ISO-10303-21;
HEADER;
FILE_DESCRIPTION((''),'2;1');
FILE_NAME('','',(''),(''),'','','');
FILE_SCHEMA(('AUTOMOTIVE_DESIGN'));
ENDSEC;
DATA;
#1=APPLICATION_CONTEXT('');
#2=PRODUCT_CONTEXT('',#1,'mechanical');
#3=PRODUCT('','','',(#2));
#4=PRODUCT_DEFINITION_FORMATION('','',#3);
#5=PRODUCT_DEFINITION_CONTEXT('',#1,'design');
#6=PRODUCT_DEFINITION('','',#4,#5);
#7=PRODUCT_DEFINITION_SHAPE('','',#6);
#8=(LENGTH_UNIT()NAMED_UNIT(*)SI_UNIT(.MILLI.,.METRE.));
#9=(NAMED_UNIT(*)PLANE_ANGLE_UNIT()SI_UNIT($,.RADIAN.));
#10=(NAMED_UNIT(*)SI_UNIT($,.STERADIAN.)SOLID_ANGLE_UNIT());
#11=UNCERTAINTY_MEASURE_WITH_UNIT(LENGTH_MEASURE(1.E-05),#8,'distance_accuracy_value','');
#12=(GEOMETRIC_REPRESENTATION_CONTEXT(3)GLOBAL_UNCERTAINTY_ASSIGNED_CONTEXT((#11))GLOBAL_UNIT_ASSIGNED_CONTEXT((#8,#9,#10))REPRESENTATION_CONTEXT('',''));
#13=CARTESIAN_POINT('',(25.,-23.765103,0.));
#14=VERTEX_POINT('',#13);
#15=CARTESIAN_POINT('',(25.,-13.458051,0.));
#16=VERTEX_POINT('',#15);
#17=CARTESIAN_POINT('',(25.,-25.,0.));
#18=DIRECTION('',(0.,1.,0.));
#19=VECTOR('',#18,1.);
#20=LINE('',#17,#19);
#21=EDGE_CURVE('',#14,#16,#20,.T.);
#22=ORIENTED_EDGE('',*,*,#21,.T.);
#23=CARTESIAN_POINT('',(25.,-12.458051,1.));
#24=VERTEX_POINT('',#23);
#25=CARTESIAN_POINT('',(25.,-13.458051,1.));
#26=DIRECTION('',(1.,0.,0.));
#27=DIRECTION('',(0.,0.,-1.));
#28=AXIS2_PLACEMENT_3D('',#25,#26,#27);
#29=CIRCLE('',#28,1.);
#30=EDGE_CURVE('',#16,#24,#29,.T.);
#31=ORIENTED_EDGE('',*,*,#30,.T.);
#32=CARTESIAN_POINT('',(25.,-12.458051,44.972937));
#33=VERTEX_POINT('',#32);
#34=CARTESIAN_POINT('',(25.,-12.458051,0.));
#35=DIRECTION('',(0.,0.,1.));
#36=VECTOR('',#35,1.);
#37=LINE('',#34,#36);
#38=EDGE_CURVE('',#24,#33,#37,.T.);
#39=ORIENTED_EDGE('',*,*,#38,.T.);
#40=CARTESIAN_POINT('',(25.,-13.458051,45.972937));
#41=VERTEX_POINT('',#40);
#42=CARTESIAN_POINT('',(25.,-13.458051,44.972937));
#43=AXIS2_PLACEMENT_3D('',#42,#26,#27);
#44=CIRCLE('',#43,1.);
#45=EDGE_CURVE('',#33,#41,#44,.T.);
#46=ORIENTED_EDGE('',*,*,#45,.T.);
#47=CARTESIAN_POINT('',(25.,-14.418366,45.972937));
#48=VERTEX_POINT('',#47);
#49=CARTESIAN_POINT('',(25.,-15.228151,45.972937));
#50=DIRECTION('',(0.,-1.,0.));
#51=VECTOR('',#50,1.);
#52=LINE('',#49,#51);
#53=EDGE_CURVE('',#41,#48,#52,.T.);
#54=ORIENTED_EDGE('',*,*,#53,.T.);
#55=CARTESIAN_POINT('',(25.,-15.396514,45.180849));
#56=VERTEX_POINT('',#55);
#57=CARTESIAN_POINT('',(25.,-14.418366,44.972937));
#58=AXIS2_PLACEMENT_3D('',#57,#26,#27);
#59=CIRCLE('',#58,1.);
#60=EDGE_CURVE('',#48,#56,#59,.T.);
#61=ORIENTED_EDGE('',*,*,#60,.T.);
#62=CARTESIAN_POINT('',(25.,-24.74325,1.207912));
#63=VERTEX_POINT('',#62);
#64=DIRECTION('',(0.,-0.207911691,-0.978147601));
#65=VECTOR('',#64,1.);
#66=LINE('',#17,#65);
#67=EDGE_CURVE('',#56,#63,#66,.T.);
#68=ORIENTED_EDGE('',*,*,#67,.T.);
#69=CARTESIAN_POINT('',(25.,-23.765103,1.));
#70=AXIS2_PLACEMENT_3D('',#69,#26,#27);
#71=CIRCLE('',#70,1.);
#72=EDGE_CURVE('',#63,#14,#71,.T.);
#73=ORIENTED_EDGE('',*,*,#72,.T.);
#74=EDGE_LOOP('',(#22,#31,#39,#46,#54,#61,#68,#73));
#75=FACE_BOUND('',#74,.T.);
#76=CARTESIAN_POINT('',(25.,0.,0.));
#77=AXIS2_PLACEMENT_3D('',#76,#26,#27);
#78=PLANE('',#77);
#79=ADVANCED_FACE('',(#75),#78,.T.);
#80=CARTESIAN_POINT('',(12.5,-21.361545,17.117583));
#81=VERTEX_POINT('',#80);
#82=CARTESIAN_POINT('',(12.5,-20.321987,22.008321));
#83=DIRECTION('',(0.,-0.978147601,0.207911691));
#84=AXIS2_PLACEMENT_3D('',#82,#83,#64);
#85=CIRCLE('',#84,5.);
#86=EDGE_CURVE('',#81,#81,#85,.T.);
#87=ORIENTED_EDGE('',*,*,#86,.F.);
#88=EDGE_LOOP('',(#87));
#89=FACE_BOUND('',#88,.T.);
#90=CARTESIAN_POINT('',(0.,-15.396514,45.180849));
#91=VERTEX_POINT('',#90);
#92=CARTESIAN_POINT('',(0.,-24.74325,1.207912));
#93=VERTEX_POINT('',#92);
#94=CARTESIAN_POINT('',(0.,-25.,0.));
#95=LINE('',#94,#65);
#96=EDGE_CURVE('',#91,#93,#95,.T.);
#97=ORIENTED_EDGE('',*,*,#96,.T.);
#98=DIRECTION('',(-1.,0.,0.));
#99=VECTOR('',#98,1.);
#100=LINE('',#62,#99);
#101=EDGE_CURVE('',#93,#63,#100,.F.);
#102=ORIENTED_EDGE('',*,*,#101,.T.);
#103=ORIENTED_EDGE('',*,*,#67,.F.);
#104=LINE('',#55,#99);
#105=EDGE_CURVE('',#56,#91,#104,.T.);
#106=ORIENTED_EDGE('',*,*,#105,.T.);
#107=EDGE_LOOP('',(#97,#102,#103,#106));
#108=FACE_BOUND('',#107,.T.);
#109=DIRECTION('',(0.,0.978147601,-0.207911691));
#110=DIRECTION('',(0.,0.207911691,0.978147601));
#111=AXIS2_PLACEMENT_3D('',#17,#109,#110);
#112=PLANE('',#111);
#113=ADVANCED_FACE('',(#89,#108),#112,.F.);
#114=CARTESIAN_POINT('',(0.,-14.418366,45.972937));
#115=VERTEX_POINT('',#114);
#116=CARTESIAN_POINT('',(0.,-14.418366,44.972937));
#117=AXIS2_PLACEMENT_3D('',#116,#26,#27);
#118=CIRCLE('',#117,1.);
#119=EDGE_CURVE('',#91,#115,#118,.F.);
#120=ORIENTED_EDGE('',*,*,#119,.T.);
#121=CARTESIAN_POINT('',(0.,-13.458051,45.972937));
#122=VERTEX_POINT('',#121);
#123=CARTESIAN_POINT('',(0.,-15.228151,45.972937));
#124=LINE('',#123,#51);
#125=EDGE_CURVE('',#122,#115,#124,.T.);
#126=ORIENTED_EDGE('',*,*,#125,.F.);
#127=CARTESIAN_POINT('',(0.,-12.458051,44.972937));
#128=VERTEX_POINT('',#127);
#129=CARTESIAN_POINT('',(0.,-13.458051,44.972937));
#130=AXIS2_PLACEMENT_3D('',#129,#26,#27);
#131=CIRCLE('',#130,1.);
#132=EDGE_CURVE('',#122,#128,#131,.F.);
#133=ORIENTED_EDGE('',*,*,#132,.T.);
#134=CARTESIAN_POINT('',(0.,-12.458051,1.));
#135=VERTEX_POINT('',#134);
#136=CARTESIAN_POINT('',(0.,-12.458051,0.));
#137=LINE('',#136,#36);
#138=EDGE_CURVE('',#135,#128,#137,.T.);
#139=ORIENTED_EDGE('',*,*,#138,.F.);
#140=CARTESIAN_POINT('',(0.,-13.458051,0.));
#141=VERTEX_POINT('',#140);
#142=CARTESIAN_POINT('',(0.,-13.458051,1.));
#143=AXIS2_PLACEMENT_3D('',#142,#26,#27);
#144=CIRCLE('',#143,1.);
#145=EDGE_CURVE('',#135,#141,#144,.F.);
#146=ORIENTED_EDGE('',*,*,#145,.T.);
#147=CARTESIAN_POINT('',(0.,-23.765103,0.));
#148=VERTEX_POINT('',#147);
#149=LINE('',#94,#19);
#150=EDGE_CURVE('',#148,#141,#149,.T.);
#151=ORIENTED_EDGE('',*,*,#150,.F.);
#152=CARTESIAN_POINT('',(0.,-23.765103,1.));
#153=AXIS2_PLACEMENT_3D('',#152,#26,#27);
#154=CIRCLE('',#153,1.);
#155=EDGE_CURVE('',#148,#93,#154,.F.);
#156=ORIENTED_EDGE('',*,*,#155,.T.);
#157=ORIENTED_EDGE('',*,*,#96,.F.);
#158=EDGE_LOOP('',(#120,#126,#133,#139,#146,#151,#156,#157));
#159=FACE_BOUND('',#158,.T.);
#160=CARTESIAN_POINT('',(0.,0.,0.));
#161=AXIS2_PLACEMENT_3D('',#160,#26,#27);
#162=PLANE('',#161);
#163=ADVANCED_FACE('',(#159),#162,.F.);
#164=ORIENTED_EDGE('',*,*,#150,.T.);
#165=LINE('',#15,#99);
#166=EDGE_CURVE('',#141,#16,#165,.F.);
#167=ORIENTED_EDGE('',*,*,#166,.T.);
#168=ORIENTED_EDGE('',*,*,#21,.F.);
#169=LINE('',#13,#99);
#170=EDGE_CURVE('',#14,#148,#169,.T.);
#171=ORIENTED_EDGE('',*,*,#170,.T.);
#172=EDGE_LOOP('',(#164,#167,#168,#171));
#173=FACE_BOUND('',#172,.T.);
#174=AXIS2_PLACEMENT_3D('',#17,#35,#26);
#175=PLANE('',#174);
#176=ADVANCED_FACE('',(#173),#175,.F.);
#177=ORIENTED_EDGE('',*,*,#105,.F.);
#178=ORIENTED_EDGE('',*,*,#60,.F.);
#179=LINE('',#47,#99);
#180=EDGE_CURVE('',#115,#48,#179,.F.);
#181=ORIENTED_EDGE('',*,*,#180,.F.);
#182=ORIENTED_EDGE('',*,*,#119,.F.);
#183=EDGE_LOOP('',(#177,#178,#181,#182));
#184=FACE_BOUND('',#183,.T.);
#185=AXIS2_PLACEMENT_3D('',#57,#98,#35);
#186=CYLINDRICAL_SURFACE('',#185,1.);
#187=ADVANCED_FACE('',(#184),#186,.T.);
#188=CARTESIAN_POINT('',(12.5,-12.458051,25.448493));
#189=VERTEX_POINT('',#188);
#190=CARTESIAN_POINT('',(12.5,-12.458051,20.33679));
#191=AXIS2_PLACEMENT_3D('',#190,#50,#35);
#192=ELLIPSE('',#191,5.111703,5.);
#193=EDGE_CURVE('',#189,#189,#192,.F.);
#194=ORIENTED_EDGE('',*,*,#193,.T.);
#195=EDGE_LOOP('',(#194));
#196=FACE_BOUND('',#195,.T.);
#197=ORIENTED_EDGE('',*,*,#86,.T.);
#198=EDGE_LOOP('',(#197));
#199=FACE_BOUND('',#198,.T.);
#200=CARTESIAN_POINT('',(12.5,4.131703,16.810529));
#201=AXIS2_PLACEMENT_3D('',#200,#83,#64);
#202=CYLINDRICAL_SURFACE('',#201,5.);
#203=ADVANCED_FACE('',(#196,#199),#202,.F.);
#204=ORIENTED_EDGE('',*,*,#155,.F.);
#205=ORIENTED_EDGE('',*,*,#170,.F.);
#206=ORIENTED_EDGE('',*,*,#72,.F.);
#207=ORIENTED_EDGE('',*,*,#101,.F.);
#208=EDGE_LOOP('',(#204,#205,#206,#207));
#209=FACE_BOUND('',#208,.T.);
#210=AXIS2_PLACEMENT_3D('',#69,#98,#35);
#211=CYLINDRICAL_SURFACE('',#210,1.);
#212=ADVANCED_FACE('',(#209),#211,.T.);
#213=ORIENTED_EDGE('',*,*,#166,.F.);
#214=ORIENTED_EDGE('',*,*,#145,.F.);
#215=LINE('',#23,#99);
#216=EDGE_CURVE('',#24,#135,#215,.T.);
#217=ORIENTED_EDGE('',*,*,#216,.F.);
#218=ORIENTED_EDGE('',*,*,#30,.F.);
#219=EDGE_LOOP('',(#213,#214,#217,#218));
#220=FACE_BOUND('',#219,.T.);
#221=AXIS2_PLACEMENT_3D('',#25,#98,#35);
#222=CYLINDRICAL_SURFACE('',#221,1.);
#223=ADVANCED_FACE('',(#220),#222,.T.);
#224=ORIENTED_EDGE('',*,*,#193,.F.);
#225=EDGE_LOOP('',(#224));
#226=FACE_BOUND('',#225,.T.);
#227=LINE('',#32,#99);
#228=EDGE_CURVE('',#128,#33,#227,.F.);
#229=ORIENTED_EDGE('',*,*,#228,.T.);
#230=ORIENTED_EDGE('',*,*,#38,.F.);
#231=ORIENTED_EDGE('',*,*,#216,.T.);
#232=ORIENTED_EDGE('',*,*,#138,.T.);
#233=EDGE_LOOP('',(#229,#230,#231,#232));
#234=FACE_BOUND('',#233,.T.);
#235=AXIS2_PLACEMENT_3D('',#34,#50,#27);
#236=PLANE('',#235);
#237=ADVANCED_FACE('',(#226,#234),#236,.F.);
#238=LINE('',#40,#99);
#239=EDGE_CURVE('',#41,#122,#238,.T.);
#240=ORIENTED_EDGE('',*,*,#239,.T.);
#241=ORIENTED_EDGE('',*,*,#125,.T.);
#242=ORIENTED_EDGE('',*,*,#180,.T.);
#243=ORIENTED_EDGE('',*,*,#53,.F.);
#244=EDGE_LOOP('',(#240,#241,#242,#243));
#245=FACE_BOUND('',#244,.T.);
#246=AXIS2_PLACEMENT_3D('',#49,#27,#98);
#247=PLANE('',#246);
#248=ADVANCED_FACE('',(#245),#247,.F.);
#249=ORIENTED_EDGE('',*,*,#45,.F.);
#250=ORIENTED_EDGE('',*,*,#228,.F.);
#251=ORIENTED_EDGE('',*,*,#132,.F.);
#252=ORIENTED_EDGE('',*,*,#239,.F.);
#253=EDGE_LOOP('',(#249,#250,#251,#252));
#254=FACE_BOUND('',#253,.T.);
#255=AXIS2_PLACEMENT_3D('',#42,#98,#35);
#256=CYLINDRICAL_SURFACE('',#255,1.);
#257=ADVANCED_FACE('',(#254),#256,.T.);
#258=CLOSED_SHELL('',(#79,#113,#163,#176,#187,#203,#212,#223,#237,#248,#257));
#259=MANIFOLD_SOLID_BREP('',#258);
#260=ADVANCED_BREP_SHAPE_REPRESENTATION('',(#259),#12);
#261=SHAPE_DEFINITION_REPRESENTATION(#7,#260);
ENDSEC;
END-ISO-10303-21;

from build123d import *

# Parameters (mm, degrees)
BOSS_EXTRUDE1_DEPTH = 25
SKETCH2_R           = 5
CUT_EXTRUDE1_DEPTH  = 25
SKETCH3_W           = 45.972937234
SKETCH3_H           = 12.458050792
CUT_EXTRUDE2_DEPTH  = 58.995783967
FILLET1_R           = 1


with BuildPart() as part:
    # Sketch1 → Boss-Extrude1 (new body)
    with BuildSketch(Plane(origin=(0, 0, 0), x_dir=(0, 0, -1), z_dir=(1, 0, 0))):
        Polygon((0, 0), (-45.972937234, 0), (-45.972937234, -15.228150532), (0, -25), align=None)
    extrude(amount=BOSS_EXTRUDE1_DEPTH)

    # Sketch2 → Cut-Extrude1 (cut)
    with BuildSketch(Plane(origin=(0, -23.919318221, 5.084208038), x_dir=(1, 0, 0), z_dir=(0, -0.9781476007338064, 0.20791169081775596))):
        with Locations(Location((12.5, 17.30220773, 0), (0, 0, 270))):
            Circle(SKETCH2_R)
    extrude(amount=-CUT_EXTRUDE1_DEPTH, mode=Mode.SUBTRACT)

    # Sketch3 → Cut-Extrude2 (cut, through all)
    with BuildSketch(Plane.ZY):
        with Locations((22.986468617, -6.229025396)):
            Rectangle(SKETCH3_W, SKETCH3_H)
    extrude(amount=-CUT_EXTRUDE2_DEPTH, mode=Mode.SUBTRACT)

    # Fillet1
    fillet1_edges = [part.edges().sort_by_distance(p)[0] for p in [
        (12.5, -12.458050792, 45.972937234),
        (12.5, -12.458050792, 0),
        (12.5, -25, 0),
        (12.5, -15.228150532, 45.972937234),
    ]]
    fillet(fillet1_edges, radius=FILLET1_R)


solid = part.part
